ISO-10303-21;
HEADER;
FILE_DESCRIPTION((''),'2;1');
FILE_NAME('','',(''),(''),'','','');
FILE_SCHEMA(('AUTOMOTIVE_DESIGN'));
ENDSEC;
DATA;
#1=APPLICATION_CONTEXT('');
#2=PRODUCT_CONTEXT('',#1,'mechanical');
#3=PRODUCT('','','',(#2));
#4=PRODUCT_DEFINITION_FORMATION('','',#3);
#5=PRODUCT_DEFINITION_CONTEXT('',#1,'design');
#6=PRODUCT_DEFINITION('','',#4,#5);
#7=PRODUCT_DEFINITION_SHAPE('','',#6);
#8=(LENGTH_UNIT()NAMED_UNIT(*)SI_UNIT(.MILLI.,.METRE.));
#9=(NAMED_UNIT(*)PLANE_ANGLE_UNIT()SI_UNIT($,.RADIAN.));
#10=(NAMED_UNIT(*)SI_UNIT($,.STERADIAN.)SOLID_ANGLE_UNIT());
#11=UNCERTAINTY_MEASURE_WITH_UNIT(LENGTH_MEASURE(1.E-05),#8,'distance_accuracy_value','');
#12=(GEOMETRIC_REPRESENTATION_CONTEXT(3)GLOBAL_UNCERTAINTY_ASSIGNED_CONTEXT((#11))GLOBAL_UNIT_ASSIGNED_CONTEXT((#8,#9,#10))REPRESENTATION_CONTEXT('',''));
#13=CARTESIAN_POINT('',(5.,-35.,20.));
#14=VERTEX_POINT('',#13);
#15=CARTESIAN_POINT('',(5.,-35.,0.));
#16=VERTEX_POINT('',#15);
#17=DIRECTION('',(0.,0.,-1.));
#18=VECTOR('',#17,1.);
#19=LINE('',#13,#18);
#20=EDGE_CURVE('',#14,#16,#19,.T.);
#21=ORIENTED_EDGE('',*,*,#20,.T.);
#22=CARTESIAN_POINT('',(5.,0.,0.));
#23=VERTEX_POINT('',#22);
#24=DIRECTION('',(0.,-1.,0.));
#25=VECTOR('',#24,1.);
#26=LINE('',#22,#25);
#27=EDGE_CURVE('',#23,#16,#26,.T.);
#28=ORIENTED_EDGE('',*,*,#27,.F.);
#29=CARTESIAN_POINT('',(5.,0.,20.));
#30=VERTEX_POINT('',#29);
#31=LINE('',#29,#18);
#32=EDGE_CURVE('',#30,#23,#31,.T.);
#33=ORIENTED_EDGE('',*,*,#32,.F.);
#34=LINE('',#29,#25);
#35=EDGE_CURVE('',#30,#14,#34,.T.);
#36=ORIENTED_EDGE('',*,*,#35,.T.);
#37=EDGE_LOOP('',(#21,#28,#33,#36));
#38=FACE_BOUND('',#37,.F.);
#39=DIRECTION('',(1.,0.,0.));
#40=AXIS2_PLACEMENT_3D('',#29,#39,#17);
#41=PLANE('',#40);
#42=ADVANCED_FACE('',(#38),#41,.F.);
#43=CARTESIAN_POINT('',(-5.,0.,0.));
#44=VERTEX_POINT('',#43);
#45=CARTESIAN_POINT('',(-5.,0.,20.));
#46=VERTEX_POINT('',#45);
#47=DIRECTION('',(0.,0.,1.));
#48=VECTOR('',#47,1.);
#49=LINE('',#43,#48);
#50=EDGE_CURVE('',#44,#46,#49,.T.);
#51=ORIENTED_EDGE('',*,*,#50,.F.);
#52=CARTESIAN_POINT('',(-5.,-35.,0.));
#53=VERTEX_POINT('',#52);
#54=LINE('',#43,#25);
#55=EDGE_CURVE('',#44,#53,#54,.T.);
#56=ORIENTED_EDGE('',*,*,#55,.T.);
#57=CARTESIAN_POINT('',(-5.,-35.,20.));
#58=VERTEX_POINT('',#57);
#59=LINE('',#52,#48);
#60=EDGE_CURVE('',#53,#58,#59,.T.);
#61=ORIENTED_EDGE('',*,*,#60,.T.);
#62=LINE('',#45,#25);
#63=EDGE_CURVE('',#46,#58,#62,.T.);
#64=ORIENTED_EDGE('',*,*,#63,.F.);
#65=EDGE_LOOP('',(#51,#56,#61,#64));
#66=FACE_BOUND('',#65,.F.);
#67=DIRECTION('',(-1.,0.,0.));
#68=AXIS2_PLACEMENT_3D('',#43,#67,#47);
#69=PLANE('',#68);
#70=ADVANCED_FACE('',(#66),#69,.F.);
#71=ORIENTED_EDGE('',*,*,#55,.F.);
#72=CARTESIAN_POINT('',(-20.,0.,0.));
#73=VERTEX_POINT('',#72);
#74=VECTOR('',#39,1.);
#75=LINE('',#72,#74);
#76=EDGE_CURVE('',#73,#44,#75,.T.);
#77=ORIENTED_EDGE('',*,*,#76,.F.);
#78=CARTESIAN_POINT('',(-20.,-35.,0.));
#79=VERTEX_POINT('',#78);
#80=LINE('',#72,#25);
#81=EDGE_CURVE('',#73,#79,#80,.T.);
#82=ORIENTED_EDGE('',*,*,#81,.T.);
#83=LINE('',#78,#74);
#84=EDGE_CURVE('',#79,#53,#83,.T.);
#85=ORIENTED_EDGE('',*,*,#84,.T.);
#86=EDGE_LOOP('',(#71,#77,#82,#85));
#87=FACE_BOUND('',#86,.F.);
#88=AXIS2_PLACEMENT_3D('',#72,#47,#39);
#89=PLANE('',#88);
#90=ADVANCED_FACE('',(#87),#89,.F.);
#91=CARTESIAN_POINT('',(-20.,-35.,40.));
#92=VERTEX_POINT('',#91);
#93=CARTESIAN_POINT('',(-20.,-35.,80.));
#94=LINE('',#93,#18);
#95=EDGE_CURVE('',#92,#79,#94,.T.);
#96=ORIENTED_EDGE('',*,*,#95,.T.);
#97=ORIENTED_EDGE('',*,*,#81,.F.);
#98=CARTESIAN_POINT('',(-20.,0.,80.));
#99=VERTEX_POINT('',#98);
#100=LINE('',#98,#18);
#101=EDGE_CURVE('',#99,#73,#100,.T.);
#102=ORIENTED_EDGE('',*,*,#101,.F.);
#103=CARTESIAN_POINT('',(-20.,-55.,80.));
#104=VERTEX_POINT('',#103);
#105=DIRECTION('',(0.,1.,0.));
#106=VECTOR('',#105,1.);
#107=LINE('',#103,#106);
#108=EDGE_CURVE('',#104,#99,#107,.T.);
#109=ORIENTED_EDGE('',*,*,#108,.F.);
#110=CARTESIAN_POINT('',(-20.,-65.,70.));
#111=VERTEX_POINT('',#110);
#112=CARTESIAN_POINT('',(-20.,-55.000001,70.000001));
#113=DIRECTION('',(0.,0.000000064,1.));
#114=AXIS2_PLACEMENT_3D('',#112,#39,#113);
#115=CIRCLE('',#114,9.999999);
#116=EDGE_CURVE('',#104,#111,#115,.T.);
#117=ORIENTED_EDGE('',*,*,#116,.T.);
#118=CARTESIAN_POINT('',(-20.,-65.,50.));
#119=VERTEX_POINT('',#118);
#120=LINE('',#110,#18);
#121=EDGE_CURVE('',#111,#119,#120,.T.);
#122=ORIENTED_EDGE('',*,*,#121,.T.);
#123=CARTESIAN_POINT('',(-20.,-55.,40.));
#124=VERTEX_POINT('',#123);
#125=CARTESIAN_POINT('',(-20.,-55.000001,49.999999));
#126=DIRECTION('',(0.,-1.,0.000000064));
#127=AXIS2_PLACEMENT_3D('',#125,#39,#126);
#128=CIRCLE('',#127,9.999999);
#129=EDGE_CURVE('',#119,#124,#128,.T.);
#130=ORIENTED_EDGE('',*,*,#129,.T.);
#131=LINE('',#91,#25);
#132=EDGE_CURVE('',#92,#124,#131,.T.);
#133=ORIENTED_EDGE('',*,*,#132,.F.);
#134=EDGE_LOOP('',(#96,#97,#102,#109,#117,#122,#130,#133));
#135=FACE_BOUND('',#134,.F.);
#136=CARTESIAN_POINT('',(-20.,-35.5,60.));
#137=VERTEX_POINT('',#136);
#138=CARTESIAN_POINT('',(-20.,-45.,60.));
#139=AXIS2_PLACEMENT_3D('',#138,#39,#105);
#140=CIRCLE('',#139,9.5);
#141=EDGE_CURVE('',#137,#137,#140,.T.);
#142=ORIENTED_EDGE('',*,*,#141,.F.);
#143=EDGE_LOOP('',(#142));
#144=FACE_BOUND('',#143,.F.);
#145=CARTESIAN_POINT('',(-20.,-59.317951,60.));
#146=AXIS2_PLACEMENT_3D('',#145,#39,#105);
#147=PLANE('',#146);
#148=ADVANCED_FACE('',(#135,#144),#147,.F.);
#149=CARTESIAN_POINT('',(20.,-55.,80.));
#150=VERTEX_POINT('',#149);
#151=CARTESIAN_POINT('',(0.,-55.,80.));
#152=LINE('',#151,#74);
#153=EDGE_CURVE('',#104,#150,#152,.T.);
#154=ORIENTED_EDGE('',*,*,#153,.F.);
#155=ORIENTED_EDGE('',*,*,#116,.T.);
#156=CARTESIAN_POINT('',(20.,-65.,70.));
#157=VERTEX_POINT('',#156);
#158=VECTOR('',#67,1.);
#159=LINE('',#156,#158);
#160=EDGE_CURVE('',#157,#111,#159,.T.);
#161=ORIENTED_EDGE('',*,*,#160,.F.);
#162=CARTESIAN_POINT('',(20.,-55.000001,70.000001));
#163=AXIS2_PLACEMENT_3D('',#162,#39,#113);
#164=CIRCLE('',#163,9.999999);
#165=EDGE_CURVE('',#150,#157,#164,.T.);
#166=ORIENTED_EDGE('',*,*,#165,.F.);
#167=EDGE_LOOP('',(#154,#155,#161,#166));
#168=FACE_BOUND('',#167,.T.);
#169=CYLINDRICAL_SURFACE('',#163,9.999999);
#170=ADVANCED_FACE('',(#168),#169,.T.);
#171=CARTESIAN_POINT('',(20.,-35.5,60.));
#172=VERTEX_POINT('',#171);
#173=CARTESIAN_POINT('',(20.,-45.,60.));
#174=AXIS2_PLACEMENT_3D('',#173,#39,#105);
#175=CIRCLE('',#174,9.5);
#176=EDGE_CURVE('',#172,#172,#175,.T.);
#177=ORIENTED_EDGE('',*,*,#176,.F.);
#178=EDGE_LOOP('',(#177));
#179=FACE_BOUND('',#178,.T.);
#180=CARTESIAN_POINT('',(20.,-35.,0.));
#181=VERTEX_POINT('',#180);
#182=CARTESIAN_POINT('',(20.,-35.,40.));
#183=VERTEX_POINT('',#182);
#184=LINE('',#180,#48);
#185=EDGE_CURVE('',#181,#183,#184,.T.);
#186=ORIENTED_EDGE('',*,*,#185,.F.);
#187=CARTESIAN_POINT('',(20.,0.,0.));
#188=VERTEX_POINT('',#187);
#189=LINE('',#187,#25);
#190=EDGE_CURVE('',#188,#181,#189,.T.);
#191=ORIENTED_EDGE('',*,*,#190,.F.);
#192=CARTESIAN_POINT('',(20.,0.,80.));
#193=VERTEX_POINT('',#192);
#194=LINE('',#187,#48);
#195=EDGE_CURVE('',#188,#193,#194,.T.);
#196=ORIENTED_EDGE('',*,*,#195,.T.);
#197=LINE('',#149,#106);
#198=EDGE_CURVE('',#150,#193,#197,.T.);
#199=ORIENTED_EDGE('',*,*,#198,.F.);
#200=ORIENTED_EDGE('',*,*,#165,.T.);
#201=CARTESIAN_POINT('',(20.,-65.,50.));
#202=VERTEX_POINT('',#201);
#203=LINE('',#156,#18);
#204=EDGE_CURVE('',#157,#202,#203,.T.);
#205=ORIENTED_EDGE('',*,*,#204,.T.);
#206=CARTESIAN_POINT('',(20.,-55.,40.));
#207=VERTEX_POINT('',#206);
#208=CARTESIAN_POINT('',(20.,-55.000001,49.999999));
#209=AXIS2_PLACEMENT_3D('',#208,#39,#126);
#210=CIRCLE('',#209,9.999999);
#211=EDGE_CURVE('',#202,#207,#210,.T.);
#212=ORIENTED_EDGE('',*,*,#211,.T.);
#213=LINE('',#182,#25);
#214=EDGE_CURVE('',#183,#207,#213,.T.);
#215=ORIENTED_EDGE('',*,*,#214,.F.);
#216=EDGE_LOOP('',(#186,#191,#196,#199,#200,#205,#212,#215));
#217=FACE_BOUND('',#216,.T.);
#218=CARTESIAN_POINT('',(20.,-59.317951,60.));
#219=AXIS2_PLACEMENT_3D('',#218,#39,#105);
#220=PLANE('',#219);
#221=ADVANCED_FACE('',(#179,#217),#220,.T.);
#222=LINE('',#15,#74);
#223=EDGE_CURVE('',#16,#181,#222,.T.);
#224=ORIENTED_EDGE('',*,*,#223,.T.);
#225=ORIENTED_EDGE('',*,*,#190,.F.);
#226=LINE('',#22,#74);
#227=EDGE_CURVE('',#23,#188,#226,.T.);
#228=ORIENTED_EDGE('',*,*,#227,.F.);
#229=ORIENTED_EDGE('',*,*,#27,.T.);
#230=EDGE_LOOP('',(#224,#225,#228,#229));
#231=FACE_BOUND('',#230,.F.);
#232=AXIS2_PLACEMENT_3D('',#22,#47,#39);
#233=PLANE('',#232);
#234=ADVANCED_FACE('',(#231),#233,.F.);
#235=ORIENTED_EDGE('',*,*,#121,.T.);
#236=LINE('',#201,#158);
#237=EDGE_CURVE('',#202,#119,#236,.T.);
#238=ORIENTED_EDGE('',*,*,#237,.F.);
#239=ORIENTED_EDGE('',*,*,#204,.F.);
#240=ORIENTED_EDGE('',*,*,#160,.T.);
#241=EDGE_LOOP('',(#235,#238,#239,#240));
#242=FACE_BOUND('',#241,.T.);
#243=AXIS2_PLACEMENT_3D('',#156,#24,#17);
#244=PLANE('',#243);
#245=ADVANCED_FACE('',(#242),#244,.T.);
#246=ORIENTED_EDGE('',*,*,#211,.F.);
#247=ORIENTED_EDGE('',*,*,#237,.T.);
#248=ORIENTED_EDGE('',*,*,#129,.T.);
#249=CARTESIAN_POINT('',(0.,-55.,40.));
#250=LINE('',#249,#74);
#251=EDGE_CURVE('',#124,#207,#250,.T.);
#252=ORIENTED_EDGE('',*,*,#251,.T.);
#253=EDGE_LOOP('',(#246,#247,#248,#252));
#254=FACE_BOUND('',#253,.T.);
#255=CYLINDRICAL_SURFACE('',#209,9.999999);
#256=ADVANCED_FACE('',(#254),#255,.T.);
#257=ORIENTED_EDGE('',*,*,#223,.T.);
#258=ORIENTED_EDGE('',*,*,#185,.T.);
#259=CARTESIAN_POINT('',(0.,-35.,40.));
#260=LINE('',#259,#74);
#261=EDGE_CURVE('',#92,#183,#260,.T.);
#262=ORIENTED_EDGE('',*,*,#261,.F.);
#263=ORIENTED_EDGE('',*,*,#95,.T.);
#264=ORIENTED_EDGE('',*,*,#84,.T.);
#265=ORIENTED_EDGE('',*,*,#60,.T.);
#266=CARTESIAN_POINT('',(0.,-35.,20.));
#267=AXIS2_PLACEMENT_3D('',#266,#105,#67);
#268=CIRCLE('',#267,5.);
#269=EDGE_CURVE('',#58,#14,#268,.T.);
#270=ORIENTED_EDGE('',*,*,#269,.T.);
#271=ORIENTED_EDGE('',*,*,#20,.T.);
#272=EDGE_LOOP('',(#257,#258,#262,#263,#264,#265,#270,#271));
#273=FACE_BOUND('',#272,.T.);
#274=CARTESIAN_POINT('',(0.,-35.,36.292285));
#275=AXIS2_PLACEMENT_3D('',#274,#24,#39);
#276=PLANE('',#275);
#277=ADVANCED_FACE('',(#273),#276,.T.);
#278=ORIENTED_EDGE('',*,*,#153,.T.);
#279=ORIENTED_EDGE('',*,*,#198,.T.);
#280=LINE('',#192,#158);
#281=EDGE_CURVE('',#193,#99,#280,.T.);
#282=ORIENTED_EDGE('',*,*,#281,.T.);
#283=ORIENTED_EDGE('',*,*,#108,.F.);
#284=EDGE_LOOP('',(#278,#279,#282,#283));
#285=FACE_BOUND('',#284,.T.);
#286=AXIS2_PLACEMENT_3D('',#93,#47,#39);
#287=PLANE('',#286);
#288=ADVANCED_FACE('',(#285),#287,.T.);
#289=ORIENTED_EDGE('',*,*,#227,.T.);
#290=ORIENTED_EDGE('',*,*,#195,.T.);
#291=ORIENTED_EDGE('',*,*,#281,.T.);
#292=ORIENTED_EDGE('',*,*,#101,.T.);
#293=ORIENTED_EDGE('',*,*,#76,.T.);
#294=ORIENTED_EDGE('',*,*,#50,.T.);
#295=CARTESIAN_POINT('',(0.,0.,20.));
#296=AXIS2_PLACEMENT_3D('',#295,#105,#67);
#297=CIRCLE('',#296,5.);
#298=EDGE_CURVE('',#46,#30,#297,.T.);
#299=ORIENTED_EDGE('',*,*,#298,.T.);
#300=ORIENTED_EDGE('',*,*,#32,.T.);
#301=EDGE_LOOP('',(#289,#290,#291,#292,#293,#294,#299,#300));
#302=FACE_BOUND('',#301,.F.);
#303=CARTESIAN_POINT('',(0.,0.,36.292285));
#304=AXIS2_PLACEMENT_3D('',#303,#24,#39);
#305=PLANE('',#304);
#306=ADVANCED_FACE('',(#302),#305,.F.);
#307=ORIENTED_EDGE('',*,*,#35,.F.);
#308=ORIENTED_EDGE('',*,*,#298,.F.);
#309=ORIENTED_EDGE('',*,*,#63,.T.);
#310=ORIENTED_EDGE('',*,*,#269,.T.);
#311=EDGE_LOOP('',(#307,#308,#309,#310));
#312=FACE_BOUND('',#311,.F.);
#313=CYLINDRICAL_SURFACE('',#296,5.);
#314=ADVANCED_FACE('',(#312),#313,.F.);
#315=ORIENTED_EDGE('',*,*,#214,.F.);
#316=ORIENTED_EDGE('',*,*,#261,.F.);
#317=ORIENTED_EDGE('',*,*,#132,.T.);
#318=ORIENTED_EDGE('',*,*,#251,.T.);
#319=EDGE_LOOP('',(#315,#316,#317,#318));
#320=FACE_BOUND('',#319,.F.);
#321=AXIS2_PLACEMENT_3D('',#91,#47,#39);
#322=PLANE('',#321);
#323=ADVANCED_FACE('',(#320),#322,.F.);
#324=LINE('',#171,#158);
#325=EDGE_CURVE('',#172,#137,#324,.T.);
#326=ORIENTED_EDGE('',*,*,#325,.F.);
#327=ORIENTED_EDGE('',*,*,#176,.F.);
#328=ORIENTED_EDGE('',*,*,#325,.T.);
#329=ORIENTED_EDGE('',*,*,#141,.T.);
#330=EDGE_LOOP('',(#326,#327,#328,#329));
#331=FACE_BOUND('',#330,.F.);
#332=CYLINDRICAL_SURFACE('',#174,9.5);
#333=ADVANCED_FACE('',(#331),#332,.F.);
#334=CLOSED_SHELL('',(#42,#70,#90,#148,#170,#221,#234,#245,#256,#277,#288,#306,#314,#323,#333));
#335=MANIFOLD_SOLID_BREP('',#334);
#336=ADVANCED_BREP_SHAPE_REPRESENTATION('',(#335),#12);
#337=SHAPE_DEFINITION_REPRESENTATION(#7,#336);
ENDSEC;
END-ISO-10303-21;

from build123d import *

# Parameters (mm, degrees)
F1_DEPTH = 35
F2_W     = 40
F2_H     = 40
F3_DEPTH = 20
F5_DEPTH = 40
F4_R     = 9.5
F6_DEPTH = 40


with BuildPart() as f1:
    # F0 (on Front) → F1 (new body)
    with BuildSketch(Plane.XZ):
        with BuildLine():
            Line((5, 20), (5, 0))
            Line((5, 0), (20, 0))
            Line((20, 0), (20, 80))
            Line((20, 80), (-20, 80))
            Line((-20, 80), (-20, 0))
            Line((-20, 0), (-5, 0))
            Line((-5, 0), (-5, 20))
            ThreePointArc((-5, 20), (0, 25), (5, 20))
        make_face()
    extrude(amount=F1_DEPTH)

    # F2 (on face) → F3 (join)
    with BuildSketch(Plane.XZ.offset(35)):
        with Locations((0, 60)):
            Rectangle(F2_W, F2_H)
    extrude(amount=F3_DEPTH)

    # F4 (on face) → F5 (join)
    with BuildSketch(Plane.YZ.offset(20)):
        with BuildLine():
            Line((-65, 70), (-65, 50))
            ThreePointArc((-65, 50), (-62.071068, 42.928932), (-55, 40))
            Line((-55, 40), (-55, 80))
            ThreePointArc((-55, 80), (-62.071068, 77.071068), (-65, 70))
        make_face()
    extrude(amount=-F5_DEPTH)

    # F4 (on face) → F6 (cut)
    with BuildSketch(Plane.YZ.offset(20)):
        with Locations((-45, 60)):
            Circle(F4_R)
    extrude(amount=-F6_DEPTH, mode=Mode.SUBTRACT)


solid = f1.part
